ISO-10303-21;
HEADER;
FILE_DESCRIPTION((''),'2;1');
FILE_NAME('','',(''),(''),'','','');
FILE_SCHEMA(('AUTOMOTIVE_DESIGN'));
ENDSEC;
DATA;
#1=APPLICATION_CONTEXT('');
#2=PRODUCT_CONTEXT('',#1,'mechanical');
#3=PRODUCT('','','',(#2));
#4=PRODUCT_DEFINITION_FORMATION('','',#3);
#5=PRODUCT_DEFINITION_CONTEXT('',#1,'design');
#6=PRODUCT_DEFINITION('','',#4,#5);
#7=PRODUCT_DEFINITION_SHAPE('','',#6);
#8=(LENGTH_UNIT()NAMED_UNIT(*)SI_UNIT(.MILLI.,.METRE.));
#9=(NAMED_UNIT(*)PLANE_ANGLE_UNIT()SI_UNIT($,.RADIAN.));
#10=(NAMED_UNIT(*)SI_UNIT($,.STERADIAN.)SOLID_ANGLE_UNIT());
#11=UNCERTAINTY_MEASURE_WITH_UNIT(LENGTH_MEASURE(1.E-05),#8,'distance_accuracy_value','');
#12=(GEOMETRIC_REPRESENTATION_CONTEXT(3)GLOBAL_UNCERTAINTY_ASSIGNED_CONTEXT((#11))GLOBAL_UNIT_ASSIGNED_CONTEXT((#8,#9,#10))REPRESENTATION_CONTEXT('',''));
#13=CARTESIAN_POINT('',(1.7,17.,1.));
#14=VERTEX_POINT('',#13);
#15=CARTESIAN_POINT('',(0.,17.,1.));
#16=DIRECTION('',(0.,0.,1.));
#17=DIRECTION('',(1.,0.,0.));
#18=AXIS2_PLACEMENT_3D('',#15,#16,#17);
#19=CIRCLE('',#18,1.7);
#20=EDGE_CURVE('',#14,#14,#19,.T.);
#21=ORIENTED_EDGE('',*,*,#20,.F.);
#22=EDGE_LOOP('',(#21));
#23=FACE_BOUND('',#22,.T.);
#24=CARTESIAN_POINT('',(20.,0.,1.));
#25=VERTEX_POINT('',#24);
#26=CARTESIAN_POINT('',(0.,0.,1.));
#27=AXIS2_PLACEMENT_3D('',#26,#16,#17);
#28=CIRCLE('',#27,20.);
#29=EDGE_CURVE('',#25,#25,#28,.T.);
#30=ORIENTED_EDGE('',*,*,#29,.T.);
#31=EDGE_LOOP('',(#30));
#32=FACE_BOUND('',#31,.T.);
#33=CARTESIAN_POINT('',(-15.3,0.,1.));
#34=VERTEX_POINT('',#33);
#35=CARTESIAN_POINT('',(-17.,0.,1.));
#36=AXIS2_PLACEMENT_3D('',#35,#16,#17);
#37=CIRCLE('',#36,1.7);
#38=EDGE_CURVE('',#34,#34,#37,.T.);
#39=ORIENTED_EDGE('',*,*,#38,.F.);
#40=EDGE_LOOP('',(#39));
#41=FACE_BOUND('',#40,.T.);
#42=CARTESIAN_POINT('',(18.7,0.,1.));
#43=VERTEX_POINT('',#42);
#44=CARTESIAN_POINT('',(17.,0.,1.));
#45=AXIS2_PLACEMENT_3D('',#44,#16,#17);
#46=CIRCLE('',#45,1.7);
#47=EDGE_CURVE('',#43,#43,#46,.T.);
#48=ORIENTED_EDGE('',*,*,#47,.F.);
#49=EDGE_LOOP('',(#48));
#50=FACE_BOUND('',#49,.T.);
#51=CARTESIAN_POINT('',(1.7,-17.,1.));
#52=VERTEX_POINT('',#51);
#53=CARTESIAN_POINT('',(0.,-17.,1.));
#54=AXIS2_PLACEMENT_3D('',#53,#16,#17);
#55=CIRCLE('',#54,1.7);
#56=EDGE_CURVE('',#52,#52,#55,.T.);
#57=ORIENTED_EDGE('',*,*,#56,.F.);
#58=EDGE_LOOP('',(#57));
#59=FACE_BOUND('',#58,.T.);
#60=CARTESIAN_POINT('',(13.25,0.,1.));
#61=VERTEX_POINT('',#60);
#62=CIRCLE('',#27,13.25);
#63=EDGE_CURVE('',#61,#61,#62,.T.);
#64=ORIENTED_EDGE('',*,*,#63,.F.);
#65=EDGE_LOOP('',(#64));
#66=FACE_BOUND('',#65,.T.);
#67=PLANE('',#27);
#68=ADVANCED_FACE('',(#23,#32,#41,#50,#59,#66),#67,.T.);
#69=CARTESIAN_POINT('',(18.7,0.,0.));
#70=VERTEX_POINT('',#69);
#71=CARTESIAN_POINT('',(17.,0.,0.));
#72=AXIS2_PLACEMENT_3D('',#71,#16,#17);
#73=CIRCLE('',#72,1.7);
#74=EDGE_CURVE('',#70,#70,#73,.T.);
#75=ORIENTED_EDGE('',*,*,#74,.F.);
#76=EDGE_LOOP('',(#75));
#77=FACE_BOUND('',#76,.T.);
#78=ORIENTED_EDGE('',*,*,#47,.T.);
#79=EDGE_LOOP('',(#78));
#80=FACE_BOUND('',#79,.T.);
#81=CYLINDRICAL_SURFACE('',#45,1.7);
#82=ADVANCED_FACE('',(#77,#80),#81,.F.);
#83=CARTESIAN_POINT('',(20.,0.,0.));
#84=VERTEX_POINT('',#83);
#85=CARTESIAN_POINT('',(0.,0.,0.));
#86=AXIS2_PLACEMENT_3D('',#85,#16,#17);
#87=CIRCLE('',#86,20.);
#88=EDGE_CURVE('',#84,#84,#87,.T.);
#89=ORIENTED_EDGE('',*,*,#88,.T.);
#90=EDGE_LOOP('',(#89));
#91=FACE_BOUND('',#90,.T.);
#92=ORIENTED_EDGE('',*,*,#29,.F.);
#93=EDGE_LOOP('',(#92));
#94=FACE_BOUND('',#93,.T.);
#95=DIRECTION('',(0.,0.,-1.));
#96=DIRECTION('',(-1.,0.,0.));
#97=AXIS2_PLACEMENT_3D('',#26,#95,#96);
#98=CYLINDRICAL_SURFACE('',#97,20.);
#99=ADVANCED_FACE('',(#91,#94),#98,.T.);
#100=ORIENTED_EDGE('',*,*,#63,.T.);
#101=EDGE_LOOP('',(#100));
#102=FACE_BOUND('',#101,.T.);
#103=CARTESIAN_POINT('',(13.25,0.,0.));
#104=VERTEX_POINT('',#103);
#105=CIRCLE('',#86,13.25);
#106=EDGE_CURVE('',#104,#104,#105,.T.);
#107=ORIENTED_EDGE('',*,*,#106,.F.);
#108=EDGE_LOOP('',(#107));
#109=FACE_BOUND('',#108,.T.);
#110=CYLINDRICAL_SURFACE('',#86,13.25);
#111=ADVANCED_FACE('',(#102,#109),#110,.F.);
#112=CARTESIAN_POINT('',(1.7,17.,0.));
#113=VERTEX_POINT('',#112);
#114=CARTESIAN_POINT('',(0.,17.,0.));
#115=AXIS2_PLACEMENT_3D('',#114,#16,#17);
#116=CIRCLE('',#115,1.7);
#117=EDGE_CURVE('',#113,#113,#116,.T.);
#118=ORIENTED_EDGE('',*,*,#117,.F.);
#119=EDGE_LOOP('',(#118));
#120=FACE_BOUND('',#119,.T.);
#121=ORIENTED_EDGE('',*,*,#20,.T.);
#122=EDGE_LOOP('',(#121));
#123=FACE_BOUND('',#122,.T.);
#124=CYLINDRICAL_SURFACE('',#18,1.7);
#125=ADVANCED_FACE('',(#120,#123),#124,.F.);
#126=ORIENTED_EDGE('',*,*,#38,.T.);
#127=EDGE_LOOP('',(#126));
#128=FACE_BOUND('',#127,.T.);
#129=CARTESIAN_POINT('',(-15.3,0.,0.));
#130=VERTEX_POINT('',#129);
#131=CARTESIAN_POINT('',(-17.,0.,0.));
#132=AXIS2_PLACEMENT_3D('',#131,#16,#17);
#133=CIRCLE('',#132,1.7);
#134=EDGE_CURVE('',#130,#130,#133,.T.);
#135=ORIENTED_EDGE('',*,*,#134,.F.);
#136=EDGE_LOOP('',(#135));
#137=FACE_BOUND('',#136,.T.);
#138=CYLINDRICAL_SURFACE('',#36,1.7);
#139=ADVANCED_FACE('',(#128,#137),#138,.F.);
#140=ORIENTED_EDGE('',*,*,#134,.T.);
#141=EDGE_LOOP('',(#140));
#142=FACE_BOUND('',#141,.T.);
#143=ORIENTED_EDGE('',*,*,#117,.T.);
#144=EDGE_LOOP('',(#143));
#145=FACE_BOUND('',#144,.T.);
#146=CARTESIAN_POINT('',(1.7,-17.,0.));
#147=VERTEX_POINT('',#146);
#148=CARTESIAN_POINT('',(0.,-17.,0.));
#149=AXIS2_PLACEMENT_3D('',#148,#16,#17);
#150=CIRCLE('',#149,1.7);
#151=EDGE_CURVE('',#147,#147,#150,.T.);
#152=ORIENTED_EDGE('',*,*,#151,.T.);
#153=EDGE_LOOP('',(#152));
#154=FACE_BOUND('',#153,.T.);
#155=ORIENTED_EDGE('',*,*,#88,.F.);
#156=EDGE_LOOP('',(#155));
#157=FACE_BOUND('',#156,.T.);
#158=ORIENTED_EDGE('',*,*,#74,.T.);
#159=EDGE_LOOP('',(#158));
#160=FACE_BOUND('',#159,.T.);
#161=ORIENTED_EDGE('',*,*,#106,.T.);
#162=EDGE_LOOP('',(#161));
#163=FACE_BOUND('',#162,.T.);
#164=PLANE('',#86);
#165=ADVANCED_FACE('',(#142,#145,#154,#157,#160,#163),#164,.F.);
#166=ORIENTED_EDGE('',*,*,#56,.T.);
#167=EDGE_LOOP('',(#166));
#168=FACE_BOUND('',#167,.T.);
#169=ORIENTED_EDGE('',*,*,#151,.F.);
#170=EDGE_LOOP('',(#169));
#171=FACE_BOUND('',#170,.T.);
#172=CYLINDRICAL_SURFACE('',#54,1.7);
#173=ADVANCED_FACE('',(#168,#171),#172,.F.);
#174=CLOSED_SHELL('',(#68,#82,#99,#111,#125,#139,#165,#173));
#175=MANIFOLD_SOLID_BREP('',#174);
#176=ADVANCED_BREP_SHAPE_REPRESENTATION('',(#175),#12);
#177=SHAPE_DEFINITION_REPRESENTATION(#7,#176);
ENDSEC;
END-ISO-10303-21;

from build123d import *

# Parameters (mm, degrees)
SKETCH1_R                   = 20
BOSS_EXTRUDE1_DEPTH         = 1
SKETCH2_R                   = 13.25
CUT_EXTRUDE1_DEPTH          = 1
TAP_DRILL_FOR_M3X0_5_TAP1_D = 3.4


with BuildPart() as part:
    # Sketch1 → Boss-Extrude1 (new body)
    with BuildSketch(Plane.XY):
        Circle(SKETCH1_R)
    extrude(amount=BOSS_EXTRUDE1_DEPTH)

    # Sketch2 → Cut-Extrude1 (cut)
    with BuildSketch(Plane.XY.offset(1)):
        Circle(SKETCH2_R)
    extrude(amount=-CUT_EXTRUDE1_DEPTH, mode=Mode.SUBTRACT)

    # Tap Drill for M3x0.5 Tap1 (through all)
    with Locations(Plane.XY.offset(1)):
        with Locations((0, 17), (17, 0), (0, -17), (-17, 0)):
            Hole(TAP_DRILL_FOR_M3X0_5_TAP1_D / 2)


solid = part.part
